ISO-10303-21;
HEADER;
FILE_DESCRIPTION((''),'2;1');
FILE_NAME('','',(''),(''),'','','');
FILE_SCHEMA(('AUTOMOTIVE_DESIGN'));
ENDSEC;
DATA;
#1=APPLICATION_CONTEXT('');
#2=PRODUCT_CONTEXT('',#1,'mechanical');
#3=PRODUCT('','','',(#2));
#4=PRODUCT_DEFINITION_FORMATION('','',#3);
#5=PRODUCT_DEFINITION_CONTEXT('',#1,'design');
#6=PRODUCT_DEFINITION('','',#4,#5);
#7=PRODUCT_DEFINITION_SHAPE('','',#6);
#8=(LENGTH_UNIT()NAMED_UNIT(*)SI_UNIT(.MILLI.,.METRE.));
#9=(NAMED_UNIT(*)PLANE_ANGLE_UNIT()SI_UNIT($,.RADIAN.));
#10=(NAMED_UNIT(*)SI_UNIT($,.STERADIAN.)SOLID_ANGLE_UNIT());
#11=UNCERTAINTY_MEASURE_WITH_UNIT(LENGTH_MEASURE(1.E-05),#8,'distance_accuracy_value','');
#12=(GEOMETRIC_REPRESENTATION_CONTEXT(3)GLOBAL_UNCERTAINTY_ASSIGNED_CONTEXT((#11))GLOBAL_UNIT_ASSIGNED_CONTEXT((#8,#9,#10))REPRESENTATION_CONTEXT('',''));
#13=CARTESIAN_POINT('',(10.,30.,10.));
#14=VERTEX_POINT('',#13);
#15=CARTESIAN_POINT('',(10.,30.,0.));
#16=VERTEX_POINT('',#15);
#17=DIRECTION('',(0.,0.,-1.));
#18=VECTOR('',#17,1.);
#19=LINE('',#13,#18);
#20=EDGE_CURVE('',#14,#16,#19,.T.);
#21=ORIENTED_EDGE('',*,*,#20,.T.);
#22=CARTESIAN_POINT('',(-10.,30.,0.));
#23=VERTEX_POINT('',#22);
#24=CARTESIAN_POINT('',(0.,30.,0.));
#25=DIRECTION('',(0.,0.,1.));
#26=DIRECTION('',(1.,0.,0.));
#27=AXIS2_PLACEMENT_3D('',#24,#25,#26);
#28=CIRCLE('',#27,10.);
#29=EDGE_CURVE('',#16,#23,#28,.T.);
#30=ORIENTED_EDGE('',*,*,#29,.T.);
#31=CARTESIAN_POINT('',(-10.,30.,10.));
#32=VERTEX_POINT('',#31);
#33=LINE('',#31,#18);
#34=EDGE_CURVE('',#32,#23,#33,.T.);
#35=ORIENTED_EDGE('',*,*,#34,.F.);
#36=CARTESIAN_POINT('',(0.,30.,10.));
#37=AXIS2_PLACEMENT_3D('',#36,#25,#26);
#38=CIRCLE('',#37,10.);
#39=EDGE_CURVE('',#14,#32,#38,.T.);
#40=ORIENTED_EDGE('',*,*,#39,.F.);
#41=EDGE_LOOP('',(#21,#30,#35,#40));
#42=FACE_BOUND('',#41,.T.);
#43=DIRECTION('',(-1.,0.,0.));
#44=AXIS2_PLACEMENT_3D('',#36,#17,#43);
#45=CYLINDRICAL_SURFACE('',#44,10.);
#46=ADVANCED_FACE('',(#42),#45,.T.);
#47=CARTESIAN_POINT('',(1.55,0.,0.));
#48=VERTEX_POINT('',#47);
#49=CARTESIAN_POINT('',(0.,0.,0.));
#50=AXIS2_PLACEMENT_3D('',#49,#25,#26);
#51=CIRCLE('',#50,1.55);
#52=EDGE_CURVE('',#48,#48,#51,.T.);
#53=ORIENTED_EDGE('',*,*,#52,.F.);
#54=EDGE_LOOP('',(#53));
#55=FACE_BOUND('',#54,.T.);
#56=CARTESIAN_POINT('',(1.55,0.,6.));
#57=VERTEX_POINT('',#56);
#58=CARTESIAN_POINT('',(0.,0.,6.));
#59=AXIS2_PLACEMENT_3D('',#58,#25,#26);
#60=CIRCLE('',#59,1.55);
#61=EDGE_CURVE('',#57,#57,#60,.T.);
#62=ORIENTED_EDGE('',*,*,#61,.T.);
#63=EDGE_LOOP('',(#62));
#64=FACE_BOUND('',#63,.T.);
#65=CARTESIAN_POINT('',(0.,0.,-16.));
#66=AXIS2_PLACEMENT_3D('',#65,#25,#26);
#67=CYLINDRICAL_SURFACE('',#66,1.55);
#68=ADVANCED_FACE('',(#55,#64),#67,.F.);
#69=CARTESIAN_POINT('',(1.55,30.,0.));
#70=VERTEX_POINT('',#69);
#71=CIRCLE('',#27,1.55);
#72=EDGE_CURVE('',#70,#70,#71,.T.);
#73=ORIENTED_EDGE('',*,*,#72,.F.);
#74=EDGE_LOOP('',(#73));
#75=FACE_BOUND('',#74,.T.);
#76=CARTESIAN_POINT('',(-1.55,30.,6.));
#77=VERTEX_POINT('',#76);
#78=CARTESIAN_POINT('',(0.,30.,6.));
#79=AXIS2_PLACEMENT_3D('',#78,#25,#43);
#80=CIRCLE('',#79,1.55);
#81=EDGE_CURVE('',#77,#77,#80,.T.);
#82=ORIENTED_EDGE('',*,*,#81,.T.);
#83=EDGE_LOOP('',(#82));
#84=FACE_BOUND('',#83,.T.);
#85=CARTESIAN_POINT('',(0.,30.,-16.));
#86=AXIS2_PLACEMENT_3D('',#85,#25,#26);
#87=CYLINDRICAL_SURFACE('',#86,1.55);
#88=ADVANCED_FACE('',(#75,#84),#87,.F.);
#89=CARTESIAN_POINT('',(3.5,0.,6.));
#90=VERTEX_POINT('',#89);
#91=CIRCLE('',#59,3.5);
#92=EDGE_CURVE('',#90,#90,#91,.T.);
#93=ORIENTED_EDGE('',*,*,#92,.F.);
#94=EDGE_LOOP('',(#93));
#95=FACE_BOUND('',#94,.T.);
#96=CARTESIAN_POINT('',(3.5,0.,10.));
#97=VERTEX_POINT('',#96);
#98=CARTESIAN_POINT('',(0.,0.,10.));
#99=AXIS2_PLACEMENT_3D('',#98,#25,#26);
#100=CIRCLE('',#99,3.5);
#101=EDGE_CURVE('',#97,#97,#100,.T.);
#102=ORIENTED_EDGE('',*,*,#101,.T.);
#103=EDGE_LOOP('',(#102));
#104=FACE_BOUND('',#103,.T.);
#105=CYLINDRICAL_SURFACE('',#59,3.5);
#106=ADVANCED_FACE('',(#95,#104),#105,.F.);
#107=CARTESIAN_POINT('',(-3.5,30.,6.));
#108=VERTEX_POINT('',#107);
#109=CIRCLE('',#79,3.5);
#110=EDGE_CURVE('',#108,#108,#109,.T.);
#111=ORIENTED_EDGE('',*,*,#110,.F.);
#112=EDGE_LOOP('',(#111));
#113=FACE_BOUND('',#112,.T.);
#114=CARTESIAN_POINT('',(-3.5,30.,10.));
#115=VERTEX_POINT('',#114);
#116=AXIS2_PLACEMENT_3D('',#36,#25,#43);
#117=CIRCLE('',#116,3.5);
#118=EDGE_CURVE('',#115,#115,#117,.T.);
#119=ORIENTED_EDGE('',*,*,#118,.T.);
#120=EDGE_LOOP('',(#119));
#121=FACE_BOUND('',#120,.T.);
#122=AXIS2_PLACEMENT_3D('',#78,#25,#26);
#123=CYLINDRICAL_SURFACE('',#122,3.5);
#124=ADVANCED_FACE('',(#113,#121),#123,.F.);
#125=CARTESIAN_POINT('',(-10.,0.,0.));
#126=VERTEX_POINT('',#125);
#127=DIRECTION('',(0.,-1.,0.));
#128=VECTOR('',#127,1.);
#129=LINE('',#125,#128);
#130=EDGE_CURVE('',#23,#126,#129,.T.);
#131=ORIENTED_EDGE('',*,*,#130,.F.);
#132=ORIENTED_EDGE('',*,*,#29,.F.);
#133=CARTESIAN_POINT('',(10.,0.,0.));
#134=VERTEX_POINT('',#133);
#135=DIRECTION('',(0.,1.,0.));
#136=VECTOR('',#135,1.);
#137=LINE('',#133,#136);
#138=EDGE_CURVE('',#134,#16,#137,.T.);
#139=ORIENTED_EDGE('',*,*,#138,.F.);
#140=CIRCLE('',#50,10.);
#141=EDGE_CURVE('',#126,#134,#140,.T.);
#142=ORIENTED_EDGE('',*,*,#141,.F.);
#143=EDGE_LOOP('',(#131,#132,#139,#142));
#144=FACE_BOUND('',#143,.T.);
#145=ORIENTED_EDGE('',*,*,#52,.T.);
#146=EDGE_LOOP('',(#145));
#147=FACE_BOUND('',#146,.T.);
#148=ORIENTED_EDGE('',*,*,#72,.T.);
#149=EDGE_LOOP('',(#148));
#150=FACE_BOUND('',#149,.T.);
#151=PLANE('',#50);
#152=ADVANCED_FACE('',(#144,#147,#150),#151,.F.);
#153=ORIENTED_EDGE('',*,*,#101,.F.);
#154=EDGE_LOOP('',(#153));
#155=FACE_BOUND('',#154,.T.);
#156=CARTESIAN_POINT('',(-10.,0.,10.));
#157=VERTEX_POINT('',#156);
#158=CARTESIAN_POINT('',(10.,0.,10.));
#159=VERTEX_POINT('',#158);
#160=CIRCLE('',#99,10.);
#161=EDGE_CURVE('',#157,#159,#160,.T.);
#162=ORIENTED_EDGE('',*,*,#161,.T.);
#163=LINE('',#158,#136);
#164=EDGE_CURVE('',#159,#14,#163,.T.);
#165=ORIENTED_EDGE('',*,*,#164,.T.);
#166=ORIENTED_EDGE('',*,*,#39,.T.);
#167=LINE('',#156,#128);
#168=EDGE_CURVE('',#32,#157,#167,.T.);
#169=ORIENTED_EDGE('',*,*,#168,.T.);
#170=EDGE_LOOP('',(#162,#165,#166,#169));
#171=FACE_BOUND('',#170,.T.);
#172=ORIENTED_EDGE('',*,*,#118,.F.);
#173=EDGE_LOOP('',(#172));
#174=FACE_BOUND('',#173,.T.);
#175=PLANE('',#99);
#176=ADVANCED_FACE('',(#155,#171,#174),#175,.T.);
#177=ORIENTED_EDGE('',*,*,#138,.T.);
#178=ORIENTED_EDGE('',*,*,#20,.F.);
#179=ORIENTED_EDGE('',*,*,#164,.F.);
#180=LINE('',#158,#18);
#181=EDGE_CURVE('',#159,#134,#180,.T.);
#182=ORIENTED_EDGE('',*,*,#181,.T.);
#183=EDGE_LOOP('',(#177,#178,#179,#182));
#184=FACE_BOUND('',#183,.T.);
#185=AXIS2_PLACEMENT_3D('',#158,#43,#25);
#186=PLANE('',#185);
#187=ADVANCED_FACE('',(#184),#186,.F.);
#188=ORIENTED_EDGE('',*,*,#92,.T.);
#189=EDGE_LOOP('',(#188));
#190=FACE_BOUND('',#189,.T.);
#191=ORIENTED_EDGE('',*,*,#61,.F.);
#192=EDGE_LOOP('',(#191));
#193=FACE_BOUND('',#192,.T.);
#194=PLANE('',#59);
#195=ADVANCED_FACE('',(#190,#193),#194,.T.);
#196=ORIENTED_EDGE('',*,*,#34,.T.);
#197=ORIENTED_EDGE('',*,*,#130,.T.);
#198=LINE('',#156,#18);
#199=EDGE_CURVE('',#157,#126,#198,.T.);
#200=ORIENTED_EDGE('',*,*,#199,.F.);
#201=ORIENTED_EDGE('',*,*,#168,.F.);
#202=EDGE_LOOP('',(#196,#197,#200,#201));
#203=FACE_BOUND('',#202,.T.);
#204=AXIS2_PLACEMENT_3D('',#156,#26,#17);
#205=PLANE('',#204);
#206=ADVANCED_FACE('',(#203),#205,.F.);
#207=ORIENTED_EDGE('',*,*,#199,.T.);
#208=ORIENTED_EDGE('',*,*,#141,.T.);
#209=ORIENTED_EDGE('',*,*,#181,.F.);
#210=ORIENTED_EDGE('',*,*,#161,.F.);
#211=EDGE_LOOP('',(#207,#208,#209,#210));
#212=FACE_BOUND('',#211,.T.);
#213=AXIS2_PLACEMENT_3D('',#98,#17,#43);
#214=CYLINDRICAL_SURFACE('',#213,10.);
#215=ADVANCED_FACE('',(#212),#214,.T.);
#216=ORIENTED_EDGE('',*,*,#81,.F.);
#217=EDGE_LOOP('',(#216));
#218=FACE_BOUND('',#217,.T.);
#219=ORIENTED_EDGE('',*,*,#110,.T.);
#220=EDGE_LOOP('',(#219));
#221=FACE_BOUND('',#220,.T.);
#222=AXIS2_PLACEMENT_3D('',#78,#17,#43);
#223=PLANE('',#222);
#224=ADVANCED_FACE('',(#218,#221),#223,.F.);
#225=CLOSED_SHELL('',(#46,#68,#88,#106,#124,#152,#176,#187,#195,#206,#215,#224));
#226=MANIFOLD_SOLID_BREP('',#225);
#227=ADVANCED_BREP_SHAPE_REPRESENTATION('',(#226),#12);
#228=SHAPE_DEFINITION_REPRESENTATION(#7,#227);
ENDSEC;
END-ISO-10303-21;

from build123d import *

# Parameters (mm, degrees)
BOSS_EXTRUDE1_DEPTH = 10
SKETCH3_R           = 3.5
CUT_EXTRUDE1_DEPTH  = 4
SKETCH4_R           = 1.55
CUT_EXTRUDE2_DEPTH  = 22


with BuildPart() as part:
    # Sketch1 → Boss-Extrude1 (new body)
    with BuildSketch(Plane.XY):
        with BuildLine():
            Line((-10, 0), (-10, 30))
            ThreePointArc((-10, 30), (0, 40), (10, 30))
            Line((10, 30), (10, 0))
            ThreePointArc((10, 0), (0, -10), (-10, 0))
        make_face()
    extrude(amount=BOSS_EXTRUDE1_DEPTH)

    # Sketch3 → Cut-Extrude1 (cut)
    with BuildSketch(Plane.XY.offset(10)):
        Circle(SKETCH3_R)
        with Locations(Location((0, 30, 0), (0, 0, 180))):
            Circle(SKETCH3_R)
    extrude(amount=-CUT_EXTRUDE1_DEPTH, mode=Mode.SUBTRACT)

    # Sketch4 → Cut-Extrude2 (cut)
    with BuildSketch(Plane.XY.offset(6)):
        Circle(SKETCH4_R)
        with Locations((0, 30)):
            Circle(SKETCH4_R)
    extrude(amount=-CUT_EXTRUDE2_DEPTH, mode=Mode.SUBTRACT)


solid = part.part
